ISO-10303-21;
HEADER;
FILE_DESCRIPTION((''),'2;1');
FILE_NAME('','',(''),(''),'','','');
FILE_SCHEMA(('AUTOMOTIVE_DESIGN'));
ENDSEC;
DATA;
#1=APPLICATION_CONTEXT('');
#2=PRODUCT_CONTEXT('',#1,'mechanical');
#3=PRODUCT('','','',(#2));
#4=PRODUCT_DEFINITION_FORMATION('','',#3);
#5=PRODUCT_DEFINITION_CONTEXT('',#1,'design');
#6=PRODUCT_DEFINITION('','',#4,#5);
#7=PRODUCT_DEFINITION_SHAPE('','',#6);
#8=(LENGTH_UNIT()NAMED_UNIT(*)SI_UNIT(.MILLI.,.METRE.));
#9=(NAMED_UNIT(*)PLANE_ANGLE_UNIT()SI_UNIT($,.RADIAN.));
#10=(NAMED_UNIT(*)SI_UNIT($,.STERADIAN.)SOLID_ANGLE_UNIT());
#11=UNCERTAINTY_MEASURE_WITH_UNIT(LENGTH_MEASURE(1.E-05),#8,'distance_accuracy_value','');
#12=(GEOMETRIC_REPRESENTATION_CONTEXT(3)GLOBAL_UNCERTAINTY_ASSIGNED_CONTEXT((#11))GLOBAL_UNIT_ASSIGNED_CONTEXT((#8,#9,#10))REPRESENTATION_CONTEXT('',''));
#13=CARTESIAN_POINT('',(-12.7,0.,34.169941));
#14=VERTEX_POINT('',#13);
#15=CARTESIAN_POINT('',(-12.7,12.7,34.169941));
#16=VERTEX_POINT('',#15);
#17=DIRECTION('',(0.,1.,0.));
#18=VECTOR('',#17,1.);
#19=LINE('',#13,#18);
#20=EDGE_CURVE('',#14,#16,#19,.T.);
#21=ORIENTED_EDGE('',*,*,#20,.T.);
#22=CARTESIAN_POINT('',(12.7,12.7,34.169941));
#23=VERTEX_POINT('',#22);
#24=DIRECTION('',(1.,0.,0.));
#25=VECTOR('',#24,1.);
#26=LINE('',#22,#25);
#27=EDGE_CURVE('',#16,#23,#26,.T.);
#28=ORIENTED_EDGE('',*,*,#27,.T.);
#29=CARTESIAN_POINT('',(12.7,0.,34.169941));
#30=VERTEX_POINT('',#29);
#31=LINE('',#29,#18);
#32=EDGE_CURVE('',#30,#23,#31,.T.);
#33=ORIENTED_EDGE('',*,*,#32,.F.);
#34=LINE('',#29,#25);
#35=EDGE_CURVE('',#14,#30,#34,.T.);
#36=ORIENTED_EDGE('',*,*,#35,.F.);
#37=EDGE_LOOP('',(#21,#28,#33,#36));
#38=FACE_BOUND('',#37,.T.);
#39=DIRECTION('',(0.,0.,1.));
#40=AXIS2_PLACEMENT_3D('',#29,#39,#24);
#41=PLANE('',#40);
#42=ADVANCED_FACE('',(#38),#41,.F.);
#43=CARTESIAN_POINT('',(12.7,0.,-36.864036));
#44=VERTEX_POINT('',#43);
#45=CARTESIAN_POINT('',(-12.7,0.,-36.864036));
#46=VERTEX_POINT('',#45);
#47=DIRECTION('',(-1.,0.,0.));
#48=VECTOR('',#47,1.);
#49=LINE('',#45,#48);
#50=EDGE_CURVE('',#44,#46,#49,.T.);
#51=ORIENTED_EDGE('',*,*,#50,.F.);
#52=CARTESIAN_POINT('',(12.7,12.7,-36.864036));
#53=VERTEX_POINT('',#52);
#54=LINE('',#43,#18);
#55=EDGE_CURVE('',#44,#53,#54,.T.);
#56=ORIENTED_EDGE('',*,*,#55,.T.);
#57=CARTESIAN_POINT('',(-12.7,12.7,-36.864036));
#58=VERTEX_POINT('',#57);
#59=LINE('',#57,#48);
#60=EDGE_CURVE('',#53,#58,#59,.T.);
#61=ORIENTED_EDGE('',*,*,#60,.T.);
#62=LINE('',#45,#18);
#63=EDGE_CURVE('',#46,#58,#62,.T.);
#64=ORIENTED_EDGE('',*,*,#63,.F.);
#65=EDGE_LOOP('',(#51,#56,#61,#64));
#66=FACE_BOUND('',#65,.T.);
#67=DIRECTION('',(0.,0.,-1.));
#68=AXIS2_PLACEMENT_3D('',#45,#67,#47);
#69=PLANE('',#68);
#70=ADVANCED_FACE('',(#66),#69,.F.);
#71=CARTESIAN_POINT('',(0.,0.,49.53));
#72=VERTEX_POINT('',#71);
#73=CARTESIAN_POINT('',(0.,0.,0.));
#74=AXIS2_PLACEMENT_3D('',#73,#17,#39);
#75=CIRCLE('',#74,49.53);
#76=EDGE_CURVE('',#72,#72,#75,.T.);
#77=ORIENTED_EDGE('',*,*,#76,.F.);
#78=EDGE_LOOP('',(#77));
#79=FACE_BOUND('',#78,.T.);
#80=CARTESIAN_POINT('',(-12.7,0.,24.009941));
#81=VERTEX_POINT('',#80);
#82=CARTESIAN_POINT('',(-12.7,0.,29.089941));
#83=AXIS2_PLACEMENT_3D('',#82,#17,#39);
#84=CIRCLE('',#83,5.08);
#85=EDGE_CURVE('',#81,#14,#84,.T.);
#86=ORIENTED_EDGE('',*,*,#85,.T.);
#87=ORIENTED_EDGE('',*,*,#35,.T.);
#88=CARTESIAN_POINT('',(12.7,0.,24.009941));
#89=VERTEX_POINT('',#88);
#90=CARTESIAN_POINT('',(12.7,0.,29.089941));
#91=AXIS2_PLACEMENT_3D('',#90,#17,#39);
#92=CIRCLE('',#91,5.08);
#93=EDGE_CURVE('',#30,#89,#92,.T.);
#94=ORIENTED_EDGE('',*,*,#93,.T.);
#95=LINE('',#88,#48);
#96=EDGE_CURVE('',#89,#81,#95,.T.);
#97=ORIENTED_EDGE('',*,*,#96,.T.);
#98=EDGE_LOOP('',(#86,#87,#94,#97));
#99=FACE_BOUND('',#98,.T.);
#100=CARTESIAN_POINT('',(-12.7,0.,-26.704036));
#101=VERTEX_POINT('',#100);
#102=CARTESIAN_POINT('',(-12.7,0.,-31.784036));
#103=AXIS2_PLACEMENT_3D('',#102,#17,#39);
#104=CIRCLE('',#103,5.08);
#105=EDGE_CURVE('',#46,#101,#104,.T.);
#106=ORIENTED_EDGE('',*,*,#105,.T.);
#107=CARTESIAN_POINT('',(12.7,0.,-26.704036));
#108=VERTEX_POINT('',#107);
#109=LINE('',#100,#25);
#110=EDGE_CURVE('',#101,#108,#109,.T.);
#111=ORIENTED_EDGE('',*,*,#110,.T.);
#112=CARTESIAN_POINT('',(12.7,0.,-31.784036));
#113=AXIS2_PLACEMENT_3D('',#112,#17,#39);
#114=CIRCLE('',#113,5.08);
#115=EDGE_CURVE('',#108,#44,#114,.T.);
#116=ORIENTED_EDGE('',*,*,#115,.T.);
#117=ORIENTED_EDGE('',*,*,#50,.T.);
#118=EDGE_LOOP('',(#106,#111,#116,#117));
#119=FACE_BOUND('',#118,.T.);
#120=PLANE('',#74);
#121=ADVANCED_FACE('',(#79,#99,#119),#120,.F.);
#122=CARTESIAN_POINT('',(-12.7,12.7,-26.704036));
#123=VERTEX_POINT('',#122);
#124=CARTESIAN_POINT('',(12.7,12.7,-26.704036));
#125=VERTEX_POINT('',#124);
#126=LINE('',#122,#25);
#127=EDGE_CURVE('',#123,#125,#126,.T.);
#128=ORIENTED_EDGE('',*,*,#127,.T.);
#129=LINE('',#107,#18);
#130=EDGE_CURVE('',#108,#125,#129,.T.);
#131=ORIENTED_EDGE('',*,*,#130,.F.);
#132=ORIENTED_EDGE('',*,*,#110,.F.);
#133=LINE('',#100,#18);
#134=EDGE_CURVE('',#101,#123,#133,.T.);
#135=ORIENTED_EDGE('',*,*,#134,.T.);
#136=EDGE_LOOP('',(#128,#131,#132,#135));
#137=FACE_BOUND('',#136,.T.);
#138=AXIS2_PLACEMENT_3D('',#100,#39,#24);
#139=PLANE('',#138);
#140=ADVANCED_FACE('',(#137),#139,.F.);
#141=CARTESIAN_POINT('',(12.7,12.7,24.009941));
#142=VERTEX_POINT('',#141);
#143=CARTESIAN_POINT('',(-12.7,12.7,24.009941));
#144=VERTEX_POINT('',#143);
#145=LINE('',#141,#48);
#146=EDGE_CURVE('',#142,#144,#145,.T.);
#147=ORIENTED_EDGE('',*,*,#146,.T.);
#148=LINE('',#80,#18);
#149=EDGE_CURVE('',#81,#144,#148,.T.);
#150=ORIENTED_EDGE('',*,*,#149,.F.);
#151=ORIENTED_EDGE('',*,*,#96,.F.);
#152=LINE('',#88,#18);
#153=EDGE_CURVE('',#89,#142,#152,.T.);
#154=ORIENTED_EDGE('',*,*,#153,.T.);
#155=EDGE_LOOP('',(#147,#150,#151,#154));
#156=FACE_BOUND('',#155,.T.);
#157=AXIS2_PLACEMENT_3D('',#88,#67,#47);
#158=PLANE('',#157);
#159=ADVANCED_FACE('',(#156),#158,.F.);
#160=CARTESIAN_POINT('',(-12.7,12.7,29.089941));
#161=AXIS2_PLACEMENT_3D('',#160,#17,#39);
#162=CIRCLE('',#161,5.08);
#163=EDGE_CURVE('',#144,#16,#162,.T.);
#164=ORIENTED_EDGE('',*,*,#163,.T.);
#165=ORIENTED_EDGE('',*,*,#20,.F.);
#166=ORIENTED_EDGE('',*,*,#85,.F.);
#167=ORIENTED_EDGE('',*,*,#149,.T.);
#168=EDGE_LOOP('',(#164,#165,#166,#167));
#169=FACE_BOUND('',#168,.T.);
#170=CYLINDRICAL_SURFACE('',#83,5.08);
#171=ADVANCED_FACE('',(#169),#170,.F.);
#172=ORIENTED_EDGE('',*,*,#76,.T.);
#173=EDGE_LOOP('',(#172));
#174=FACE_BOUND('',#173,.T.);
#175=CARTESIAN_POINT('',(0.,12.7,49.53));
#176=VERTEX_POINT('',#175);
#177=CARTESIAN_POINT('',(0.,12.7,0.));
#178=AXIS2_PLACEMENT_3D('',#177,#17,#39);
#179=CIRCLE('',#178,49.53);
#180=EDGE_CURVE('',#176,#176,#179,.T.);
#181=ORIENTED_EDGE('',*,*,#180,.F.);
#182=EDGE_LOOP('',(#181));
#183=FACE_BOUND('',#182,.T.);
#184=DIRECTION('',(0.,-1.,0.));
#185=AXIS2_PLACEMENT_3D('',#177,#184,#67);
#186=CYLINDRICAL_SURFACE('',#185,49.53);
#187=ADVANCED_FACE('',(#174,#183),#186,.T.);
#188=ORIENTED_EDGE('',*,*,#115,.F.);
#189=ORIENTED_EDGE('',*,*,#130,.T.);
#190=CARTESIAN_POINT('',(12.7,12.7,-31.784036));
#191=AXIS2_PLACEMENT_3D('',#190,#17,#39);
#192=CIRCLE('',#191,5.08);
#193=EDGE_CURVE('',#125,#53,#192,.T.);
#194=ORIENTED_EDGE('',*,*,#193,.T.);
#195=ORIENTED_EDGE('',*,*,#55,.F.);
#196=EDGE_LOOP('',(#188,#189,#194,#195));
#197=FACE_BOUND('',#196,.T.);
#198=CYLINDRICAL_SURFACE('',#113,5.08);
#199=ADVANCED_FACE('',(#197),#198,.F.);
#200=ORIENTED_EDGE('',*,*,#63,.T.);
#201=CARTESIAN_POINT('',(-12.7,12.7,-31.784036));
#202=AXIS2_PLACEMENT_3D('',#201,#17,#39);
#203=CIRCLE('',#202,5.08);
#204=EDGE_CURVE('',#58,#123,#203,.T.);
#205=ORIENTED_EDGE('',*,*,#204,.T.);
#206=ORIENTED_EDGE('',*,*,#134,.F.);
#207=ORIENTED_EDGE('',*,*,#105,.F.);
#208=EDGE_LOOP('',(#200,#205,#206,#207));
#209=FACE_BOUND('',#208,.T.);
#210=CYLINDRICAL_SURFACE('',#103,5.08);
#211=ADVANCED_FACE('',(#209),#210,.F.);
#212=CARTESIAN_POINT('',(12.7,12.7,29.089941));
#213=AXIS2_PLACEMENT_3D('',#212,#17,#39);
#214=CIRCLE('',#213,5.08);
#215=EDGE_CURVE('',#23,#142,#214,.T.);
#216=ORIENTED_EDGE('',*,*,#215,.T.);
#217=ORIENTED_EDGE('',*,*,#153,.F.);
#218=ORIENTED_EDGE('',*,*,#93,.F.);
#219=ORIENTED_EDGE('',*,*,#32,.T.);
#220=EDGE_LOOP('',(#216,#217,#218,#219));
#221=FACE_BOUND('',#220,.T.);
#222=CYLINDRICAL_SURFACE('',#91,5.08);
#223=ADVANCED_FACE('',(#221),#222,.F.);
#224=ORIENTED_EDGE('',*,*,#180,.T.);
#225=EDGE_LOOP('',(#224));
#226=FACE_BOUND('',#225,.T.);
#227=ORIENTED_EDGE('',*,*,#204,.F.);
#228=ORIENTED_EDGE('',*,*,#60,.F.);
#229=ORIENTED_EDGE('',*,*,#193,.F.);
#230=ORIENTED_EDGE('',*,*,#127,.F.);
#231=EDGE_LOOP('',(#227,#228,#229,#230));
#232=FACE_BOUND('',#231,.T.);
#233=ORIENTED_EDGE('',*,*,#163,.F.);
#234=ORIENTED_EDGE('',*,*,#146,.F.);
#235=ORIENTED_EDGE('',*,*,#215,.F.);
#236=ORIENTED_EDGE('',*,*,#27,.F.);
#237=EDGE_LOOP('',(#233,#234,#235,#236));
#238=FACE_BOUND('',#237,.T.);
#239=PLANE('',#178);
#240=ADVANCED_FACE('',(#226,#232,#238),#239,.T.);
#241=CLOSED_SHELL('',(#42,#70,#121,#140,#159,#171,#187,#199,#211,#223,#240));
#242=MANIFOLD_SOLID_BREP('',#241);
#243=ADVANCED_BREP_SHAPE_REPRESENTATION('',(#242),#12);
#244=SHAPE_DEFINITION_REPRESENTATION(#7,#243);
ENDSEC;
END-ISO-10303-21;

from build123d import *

# Parameters (mm, degrees)
SKETCH1_R           = 49.53
BOSS_EXTRUDE1_DEPTH = 12.7
CUT_EXTRUDE1_DEPTH  = 72.188003203


with BuildPart() as part:
    # Sketch1 → Boss-Extrude1 (new body)
    with BuildSketch(Plane(origin=(0, 0, 0), x_dir=(1, 0, 0), z_dir=(0, 1, 0))):
        with Locations(Location((0, 0, 0), (0, 0, 270))):
            Circle(SKETCH1_R)
    extrude(amount=BOSS_EXTRUDE1_DEPTH)

    # Sketch2 → Cut-Extrude1 (cut, through all)
    with BuildSketch(Plane(origin=(0, 12.7, 0), x_dir=(1, 0, 0), z_dir=(0, 1, 0))):
        with BuildLine():
            Line((12.7, -34.169941281), (-12.7, -34.169941281))
            ThreePointArc((-12.7, -34.169941281), (-17.78, -29.089941281), (-12.7, -24.009941281))
            Line((-12.7, -24.009941281), (12.7, -24.009941281))
            ThreePointArc((12.7, -24.009941281), (17.78, -29.089941281), (12.7, -34.169941281))
        make_face()
        with BuildLine():
            Line((-12.7, 36.864035983), (12.7, 36.864035983))
            ThreePointArc((12.7, 36.864035983), (17.78, 31.784035983), (12.7, 26.704035983))
            Line((12.7, 26.704035983), (-12.7, 26.704035983))
            ThreePointArc((-12.7, 26.704035983), (-17.78, 31.784035983), (-12.7, 36.864035983))
        make_face()
    extrude(amount=-CUT_EXTRUDE1_DEPTH, mode=Mode.SUBTRACT)


solid = part.part
